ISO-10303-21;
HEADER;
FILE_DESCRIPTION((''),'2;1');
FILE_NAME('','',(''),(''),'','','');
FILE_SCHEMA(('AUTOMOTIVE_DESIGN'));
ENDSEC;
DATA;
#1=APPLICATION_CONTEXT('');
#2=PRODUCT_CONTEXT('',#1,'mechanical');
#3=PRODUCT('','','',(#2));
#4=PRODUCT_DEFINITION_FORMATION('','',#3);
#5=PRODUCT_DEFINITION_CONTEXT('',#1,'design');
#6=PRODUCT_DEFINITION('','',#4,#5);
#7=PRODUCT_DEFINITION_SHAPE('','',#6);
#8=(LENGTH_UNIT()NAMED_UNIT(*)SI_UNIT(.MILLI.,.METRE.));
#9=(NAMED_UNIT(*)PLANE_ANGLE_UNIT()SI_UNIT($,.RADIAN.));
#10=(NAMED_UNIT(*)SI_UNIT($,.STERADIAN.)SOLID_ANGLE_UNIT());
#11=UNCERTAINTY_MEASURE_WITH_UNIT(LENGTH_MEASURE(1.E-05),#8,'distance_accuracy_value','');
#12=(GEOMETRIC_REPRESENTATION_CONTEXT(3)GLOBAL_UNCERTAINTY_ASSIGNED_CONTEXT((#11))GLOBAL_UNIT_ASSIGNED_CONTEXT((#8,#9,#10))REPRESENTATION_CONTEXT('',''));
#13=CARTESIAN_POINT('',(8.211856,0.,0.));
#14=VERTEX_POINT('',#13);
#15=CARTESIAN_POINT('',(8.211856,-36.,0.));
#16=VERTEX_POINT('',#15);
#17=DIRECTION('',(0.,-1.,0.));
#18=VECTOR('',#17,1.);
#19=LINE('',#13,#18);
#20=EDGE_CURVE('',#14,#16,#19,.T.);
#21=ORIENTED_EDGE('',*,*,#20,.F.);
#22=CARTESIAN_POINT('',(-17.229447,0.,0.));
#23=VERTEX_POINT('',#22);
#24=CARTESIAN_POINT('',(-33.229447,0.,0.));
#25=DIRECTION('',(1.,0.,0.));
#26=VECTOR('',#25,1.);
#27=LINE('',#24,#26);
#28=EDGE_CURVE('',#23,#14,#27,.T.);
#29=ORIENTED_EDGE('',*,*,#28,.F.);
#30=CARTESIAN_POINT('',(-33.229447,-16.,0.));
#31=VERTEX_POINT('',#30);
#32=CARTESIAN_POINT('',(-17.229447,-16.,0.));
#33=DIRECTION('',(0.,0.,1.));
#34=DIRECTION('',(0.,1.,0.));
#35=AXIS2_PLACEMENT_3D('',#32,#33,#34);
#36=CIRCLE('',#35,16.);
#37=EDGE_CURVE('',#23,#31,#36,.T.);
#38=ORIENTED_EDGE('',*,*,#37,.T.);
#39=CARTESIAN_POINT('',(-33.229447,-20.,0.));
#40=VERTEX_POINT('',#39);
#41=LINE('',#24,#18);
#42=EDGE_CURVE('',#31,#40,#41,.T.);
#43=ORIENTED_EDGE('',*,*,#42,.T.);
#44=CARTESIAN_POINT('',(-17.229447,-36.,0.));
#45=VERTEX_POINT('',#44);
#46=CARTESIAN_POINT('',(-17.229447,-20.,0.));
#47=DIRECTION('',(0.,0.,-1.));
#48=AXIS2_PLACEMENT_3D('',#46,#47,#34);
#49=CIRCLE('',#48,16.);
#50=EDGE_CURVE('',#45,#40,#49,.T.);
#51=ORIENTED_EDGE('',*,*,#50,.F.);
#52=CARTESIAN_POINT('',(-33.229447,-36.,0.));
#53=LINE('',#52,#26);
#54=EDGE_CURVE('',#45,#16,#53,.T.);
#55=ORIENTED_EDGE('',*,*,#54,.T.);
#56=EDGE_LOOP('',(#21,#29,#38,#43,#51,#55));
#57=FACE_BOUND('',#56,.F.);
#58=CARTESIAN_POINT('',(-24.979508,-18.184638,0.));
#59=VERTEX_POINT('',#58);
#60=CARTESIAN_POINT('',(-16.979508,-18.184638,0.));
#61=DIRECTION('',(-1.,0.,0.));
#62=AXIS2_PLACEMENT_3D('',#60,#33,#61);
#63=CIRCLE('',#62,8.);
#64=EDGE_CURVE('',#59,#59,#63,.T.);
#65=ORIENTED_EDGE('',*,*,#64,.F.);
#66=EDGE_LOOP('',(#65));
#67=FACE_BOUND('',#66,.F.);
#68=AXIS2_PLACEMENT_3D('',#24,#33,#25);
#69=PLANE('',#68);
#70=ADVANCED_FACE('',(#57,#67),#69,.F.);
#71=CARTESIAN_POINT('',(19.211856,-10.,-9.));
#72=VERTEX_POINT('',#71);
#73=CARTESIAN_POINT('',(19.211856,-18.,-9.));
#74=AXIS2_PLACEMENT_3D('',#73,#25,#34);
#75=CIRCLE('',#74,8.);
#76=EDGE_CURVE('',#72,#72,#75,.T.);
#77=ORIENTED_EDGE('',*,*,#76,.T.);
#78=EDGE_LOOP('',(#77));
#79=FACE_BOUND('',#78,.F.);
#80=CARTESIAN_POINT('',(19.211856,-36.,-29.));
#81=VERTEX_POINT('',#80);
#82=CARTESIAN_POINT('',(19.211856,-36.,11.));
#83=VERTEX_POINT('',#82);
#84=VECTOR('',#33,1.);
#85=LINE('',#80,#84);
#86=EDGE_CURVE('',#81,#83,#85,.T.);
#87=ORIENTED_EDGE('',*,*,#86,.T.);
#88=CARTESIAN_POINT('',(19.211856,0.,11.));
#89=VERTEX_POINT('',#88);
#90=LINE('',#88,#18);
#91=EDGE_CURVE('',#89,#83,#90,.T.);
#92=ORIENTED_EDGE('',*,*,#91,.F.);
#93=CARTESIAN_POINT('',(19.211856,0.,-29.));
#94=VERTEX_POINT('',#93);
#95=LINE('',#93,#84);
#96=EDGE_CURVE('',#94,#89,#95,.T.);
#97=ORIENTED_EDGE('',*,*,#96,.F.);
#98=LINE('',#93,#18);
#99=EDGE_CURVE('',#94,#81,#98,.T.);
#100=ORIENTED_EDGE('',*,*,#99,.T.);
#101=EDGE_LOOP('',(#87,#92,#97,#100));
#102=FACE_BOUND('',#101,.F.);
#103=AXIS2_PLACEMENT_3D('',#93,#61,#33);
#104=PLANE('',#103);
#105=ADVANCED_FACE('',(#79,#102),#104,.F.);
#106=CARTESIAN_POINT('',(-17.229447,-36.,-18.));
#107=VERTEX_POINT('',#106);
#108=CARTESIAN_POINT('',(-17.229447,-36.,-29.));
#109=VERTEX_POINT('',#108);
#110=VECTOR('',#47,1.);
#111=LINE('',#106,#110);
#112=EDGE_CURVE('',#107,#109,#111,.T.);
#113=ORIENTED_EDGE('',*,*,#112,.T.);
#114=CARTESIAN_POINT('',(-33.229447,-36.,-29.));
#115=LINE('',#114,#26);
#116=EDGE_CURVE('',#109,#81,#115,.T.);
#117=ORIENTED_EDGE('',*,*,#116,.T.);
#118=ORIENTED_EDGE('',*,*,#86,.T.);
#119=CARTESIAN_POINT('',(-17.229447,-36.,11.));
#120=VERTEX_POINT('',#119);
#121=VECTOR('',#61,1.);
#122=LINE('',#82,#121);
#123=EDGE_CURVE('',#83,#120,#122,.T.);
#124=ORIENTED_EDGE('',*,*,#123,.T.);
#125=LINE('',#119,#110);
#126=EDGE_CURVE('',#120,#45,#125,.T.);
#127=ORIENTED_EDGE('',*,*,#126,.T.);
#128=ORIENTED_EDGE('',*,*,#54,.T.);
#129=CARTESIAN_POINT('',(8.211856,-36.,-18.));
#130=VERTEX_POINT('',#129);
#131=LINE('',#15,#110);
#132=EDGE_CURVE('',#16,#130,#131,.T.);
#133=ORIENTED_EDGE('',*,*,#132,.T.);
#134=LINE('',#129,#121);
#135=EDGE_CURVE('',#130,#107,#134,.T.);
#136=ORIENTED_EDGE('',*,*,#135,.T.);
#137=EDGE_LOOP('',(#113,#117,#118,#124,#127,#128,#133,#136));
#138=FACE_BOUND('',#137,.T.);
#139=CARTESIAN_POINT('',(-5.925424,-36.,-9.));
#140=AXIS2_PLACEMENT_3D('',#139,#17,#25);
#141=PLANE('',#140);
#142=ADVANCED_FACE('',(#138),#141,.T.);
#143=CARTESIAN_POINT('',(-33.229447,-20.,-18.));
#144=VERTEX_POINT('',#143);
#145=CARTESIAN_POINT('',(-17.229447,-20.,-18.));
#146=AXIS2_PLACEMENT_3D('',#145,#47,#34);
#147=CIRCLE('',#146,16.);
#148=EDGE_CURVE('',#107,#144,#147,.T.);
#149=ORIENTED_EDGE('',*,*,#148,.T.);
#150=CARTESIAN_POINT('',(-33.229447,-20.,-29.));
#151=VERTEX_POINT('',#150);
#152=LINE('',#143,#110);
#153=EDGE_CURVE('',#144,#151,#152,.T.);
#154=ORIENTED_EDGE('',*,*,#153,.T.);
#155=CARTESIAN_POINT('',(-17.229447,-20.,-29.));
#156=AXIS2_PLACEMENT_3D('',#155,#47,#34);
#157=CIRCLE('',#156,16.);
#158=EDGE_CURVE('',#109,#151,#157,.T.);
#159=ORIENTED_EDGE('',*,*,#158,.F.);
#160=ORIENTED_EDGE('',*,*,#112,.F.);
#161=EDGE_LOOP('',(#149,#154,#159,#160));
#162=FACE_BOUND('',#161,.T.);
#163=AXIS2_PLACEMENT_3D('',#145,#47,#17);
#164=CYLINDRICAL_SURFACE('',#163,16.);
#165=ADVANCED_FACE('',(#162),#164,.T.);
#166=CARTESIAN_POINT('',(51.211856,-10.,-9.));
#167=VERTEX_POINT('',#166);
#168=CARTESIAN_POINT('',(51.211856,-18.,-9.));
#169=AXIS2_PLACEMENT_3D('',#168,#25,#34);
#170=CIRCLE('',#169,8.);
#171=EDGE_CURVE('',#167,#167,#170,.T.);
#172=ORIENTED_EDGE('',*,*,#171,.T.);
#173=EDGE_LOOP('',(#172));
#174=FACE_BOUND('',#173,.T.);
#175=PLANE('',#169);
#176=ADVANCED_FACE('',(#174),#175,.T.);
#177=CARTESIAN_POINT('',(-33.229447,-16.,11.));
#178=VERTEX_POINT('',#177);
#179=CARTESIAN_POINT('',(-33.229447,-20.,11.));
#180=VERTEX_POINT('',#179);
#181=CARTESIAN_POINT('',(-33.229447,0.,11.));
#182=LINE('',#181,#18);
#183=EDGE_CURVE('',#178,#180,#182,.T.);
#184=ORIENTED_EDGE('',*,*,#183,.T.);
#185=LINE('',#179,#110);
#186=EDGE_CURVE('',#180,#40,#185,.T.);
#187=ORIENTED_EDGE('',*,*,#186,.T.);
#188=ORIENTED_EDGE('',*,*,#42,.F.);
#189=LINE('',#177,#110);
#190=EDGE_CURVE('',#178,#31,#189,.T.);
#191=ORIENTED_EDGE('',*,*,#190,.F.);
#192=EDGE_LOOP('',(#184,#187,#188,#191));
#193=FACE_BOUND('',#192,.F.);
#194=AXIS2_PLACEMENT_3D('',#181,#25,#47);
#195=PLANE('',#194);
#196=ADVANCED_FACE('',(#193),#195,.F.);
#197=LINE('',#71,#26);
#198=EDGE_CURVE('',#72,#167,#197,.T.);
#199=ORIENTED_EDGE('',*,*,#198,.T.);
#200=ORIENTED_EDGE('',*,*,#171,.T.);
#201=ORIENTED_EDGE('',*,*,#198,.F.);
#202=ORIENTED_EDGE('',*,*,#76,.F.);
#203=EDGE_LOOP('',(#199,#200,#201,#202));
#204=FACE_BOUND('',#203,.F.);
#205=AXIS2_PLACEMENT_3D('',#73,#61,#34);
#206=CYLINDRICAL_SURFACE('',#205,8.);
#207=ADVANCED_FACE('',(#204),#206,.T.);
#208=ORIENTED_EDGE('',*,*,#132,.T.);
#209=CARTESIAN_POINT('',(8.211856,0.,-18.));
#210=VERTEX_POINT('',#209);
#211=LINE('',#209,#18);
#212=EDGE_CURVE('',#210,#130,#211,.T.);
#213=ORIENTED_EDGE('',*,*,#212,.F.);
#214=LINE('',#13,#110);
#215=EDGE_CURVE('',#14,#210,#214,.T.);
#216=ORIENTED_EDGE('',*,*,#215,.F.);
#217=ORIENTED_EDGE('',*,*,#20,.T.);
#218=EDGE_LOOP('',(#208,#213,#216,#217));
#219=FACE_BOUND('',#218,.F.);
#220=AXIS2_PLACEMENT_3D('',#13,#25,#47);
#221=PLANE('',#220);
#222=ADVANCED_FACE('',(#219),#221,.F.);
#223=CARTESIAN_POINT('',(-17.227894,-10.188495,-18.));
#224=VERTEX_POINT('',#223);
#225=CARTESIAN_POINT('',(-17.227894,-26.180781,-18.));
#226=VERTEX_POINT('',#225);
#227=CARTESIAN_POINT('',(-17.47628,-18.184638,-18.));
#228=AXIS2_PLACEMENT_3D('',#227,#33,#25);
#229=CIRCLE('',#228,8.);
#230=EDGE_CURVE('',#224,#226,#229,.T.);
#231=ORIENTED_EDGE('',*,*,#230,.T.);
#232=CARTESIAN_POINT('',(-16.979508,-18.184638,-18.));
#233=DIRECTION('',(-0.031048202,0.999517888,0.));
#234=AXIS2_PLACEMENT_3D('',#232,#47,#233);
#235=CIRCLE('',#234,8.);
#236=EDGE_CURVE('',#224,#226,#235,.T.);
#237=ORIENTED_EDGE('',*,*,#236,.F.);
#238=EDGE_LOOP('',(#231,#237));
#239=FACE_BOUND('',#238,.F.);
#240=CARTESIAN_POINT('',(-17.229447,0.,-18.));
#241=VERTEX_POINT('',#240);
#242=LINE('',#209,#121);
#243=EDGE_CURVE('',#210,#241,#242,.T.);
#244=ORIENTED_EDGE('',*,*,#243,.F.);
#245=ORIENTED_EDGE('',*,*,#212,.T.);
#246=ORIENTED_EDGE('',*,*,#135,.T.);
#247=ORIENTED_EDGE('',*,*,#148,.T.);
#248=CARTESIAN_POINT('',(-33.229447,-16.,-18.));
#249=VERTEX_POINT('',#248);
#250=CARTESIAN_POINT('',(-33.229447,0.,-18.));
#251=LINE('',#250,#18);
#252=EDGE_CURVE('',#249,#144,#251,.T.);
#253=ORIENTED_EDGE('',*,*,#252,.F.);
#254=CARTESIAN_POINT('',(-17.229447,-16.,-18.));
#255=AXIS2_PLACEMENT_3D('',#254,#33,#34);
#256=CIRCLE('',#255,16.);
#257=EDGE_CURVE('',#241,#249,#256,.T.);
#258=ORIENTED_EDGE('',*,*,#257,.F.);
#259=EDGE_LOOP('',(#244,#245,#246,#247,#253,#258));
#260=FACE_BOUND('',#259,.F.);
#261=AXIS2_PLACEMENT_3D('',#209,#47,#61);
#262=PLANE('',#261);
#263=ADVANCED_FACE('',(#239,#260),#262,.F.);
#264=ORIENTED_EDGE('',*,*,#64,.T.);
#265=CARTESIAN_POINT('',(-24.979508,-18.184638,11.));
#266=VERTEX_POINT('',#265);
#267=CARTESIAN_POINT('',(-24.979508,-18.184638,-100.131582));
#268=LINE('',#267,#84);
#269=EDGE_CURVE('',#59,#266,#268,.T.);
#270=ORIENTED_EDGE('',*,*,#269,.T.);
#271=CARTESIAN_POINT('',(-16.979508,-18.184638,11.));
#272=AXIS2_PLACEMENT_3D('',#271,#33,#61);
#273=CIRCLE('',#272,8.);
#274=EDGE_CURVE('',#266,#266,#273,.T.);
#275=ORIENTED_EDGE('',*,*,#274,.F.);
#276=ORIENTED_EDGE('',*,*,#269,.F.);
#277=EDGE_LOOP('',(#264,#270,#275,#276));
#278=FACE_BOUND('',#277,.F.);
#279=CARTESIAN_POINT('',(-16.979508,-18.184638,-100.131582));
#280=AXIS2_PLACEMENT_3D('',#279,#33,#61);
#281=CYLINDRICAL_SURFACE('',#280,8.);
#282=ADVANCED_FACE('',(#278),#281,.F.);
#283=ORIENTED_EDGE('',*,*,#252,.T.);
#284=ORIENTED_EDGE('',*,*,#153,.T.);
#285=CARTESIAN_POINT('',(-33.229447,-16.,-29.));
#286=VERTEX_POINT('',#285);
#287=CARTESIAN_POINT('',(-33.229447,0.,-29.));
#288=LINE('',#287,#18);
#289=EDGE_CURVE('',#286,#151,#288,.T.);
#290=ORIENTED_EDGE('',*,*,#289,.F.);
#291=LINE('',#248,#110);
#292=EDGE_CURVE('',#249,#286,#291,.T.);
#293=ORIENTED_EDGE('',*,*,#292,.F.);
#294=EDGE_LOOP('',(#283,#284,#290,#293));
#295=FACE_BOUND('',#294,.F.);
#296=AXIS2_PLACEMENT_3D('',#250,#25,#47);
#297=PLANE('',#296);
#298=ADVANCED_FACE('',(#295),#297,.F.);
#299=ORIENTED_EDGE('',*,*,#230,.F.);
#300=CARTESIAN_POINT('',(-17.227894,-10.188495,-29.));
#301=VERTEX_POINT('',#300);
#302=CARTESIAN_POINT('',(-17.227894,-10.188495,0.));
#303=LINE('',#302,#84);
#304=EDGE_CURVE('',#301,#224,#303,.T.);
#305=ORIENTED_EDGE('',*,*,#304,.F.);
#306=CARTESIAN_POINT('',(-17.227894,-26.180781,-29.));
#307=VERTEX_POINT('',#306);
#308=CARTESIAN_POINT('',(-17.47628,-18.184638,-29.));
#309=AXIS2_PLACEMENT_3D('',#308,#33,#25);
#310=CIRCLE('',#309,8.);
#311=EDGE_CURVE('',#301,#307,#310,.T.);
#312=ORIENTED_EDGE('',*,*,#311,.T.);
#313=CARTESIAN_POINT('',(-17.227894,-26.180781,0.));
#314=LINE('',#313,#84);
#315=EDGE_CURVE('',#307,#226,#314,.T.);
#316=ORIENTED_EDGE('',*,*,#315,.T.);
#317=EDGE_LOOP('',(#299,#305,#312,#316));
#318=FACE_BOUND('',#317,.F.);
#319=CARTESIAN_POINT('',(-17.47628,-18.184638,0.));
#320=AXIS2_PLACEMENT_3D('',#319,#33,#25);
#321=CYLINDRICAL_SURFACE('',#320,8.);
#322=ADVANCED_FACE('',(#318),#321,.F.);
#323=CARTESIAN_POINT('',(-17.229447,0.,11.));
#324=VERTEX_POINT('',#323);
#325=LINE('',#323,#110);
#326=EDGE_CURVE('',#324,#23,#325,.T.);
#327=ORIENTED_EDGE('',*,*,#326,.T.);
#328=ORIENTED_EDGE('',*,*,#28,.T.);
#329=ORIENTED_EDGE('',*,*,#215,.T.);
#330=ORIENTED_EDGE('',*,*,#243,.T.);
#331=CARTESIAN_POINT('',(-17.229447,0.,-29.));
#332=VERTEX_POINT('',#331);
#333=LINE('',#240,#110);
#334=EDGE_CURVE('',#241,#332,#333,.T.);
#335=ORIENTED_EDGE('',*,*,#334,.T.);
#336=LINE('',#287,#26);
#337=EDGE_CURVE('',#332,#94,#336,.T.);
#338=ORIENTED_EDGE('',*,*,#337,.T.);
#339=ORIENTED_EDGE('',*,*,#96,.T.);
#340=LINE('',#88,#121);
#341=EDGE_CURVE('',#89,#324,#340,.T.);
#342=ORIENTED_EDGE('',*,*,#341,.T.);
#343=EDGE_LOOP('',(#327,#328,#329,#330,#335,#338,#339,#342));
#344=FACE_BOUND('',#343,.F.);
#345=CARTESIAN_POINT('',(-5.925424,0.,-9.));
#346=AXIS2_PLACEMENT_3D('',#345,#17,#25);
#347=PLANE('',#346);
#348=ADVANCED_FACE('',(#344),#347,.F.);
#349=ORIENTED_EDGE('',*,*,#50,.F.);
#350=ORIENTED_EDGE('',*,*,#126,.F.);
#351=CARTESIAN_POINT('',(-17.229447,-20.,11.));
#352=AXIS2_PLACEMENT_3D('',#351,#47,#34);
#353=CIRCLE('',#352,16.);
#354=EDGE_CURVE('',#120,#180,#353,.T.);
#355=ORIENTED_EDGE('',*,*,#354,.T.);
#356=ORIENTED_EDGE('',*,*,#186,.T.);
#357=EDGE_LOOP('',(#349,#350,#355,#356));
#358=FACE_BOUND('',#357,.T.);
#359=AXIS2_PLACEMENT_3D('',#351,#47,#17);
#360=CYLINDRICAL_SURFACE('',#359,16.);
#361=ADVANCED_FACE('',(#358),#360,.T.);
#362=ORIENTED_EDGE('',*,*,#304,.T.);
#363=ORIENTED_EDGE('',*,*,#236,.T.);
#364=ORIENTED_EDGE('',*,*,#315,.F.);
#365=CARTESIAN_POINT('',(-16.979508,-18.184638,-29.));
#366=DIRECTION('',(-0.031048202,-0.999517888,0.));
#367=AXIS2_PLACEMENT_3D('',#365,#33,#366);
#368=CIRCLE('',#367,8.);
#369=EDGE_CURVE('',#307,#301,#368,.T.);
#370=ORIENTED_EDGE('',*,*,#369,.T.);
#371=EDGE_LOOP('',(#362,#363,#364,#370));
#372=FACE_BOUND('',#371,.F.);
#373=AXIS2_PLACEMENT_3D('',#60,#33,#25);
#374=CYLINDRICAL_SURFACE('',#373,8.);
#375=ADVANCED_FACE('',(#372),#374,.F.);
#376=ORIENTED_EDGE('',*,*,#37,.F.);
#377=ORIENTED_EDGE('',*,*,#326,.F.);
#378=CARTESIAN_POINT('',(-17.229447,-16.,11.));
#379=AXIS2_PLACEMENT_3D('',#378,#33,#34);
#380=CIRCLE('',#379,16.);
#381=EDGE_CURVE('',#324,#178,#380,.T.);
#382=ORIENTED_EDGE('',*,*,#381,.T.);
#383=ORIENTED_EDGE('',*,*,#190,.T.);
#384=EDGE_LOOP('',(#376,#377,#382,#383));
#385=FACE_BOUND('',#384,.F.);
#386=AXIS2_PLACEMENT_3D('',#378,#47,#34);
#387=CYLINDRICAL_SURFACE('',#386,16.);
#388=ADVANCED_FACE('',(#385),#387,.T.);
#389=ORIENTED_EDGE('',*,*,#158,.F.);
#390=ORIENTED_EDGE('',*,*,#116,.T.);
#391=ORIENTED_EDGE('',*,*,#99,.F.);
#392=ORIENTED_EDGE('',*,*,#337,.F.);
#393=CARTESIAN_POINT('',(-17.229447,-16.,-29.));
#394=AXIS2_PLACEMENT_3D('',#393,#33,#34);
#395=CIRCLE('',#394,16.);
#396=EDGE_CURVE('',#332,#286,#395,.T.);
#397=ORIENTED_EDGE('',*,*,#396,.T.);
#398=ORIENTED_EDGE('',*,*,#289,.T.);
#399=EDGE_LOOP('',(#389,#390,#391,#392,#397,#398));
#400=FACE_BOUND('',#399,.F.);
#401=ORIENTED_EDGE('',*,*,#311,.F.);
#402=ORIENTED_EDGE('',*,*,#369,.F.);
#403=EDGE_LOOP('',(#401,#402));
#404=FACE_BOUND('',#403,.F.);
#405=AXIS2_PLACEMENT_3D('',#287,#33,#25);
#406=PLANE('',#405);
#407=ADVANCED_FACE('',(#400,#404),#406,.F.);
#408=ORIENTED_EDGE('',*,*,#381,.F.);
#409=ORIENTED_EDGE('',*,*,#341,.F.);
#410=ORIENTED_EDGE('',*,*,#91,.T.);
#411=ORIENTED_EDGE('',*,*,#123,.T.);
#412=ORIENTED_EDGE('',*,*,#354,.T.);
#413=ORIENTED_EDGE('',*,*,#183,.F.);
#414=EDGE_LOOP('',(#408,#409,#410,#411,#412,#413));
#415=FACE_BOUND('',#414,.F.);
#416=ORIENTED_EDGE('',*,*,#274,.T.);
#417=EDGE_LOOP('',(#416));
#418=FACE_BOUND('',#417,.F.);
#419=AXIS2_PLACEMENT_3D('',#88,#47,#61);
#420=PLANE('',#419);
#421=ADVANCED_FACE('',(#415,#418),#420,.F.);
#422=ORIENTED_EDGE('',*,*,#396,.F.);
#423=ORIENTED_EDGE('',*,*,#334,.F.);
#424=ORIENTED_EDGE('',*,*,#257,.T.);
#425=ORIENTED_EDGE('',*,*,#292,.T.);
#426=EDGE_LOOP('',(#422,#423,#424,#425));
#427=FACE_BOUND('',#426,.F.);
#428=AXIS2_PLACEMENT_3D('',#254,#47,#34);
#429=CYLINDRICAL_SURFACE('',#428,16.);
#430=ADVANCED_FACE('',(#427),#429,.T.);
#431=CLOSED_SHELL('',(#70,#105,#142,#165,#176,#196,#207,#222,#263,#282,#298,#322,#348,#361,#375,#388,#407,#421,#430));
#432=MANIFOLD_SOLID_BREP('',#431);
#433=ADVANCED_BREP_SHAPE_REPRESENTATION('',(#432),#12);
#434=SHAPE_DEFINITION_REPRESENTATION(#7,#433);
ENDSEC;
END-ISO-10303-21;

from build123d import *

# Parameters (mm, degrees)
F1_DEPTH = 36
F2_R     = 8
F3_DEPTH = 32
F4_R     = 8
F5_DEPTH = 29.001
F6_R     = 8
F7_DEPTH = 29.001
F8_D     = 16
F9_R     = 16


with BuildPart() as f1:
    # F0 (on Front) → F1 (new body)
    with BuildSketch(Plane.XZ):
        Polygon((19.2118563248, 11), (-33.2294469934, 11), (-33.2294469934, 0), (8.2118563248, 0), (8.2118563248, -18), (-33.2294469934, -18), (-33.2294469934, -29), (19.2118563248, -29), (19.2118563248, -18), (19.2118563248, 0), align=None)
    extrude(amount=F1_DEPTH)

    # F2 (on face) → F3 (join)
    with BuildSketch(Plane.YZ.offset(19.2118563248)):
        with Locations((-18, -9)):
            Circle(F2_R)
    extrude(amount=F3_DEPTH)

    # F4 (on Top) → F5 (cut, through all)
    with BuildSketch(Plane.XY):
        with Locations((-16.9795084218, -18.1846376508)):
            Circle(F4_R)
    extrude(amount=-F5_DEPTH, mode=Mode.SUBTRACT)

    # F6 (on Top) → F7 (cut, through all)
    with BuildSketch(Plane.XY):
        with Locations((-17.4762796468, -18.1846376508)):
            Circle(F6_R)
    extrude(amount=-F7_DEPTH, mode=Mode.SUBTRACT)

    # F8 (through all)
    with Locations(Plane(origin=(0, 0, 0), x_dir=(1, 0, 0), z_dir=(0, 0, -1))):
        with Locations((-16.9795084218, 18.1846376508)):
            Hole(F8_D / 2)

    # F9
    f9_edges = [f1.edges().sort_by_distance(p)[0] for p in [
        (-33.229447, 0, -23.5),
        (-33.229447, 0, 5.5),
        (-33.229447, -36, 5.5),
        (-33.229447, -36, -23.5),
    ]]
    fillet(f9_edges, radius=F9_R)


solid = f1.part
